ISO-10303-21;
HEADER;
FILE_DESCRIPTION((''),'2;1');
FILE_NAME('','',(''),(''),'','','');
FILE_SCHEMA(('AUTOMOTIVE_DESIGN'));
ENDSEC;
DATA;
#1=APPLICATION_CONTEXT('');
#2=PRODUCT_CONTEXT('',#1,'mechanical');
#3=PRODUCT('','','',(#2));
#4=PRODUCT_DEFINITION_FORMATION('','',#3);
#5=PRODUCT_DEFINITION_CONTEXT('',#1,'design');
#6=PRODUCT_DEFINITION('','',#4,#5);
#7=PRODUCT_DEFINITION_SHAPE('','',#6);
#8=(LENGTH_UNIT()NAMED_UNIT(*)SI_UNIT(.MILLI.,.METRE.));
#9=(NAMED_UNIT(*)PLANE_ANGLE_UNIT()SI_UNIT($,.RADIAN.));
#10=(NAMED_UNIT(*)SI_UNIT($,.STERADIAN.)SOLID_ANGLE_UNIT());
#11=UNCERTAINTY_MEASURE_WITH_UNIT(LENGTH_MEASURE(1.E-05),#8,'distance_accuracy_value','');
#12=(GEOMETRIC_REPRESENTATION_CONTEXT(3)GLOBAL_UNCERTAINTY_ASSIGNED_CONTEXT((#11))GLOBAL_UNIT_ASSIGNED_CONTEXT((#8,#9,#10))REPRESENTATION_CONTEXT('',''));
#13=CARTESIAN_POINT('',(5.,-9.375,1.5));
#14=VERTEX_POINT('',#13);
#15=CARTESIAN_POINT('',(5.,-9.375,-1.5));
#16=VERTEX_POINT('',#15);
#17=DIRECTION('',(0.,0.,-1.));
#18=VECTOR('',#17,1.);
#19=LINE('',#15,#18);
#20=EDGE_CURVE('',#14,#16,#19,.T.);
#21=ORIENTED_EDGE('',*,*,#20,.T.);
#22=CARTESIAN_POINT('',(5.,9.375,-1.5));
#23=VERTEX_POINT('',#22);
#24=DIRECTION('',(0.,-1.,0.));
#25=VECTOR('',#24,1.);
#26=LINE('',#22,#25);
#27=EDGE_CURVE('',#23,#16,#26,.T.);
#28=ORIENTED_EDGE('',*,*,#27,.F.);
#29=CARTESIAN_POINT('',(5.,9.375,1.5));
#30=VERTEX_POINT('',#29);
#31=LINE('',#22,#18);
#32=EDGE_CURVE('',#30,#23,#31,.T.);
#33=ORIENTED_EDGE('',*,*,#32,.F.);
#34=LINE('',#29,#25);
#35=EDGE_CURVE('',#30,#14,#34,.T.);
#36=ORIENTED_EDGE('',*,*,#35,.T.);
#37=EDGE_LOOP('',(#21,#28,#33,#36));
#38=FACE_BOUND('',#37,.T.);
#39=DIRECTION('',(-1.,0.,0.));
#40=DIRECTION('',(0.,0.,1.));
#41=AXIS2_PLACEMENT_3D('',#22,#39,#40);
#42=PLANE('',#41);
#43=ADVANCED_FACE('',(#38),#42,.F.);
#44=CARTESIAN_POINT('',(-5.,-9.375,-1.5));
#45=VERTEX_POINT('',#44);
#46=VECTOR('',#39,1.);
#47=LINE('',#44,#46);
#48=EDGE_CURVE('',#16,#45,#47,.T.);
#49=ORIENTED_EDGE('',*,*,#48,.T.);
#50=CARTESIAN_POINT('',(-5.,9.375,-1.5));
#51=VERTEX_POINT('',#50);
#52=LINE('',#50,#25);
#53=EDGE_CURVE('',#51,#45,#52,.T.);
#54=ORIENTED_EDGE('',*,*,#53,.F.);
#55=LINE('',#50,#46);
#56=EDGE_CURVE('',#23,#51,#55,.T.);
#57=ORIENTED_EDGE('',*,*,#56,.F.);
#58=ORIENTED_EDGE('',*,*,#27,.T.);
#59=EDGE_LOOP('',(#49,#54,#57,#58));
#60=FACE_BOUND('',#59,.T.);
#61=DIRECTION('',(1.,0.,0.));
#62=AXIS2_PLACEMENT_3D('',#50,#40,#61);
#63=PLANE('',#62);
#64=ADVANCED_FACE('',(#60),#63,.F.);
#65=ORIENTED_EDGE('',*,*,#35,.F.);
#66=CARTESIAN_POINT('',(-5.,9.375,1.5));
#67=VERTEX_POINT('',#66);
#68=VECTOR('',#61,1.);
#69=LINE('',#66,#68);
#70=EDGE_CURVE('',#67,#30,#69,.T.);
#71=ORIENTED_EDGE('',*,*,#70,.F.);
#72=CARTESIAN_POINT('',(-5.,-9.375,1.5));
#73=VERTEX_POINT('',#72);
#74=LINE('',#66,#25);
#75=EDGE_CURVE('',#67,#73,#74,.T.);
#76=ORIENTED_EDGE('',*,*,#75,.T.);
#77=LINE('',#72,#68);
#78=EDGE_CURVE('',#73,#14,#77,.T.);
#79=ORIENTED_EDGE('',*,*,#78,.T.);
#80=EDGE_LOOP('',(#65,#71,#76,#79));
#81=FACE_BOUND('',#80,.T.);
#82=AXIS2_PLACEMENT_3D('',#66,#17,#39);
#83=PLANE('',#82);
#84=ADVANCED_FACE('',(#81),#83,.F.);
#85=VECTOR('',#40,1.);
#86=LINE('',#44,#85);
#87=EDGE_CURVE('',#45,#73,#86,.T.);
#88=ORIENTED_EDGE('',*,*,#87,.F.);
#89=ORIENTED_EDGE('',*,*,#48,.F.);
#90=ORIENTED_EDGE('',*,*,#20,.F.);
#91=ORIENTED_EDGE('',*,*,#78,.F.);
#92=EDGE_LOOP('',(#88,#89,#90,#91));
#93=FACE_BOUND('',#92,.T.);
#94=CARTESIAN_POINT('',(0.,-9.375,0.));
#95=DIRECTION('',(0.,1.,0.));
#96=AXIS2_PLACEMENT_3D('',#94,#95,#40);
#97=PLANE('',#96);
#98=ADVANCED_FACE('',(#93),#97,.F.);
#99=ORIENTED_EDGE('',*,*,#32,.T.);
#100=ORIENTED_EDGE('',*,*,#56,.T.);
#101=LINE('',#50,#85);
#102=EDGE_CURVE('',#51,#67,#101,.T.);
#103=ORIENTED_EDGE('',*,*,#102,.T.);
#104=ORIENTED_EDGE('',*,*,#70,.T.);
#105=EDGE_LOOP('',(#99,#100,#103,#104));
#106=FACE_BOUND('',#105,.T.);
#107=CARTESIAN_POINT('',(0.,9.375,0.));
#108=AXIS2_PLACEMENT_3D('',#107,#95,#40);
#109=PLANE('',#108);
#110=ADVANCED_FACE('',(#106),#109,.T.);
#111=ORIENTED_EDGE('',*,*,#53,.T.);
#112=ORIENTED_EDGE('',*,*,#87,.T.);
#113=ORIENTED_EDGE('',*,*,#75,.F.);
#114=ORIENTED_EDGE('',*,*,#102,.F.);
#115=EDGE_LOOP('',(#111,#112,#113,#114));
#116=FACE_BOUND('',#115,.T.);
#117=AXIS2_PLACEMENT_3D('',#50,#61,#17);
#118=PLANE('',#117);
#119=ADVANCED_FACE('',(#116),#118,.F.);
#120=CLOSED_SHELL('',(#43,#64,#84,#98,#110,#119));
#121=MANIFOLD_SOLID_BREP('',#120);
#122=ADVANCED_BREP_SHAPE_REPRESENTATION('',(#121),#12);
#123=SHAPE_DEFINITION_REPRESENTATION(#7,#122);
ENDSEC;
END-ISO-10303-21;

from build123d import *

# Parameters (mm, degrees)
SKETCH1_W           = 40
SKETCH1_H           = 12
BOSS_EXTRUDE1_DEPTH = 37.5
F_25_SCALE_SCALE    = 0.25


with BuildPart() as part:
    # Sketch1 → Boss-Extrude1 (new, symmetric)
    with BuildSketch(Plane(origin=(0, 0, 0), x_dir=(1, 0, 0), z_dir=(0, 1, 0))):
        Rectangle(SKETCH1_W, SKETCH1_H)
    extrude(amount=BOSS_EXTRUDE1_DEPTH, both=True)


with BuildPart() as part_1:
    # 25% Scale: scaled about (0, 0, 0)
    add(part.part.scale(F_25_SCALE_SCALE))


solid = part_1.part
